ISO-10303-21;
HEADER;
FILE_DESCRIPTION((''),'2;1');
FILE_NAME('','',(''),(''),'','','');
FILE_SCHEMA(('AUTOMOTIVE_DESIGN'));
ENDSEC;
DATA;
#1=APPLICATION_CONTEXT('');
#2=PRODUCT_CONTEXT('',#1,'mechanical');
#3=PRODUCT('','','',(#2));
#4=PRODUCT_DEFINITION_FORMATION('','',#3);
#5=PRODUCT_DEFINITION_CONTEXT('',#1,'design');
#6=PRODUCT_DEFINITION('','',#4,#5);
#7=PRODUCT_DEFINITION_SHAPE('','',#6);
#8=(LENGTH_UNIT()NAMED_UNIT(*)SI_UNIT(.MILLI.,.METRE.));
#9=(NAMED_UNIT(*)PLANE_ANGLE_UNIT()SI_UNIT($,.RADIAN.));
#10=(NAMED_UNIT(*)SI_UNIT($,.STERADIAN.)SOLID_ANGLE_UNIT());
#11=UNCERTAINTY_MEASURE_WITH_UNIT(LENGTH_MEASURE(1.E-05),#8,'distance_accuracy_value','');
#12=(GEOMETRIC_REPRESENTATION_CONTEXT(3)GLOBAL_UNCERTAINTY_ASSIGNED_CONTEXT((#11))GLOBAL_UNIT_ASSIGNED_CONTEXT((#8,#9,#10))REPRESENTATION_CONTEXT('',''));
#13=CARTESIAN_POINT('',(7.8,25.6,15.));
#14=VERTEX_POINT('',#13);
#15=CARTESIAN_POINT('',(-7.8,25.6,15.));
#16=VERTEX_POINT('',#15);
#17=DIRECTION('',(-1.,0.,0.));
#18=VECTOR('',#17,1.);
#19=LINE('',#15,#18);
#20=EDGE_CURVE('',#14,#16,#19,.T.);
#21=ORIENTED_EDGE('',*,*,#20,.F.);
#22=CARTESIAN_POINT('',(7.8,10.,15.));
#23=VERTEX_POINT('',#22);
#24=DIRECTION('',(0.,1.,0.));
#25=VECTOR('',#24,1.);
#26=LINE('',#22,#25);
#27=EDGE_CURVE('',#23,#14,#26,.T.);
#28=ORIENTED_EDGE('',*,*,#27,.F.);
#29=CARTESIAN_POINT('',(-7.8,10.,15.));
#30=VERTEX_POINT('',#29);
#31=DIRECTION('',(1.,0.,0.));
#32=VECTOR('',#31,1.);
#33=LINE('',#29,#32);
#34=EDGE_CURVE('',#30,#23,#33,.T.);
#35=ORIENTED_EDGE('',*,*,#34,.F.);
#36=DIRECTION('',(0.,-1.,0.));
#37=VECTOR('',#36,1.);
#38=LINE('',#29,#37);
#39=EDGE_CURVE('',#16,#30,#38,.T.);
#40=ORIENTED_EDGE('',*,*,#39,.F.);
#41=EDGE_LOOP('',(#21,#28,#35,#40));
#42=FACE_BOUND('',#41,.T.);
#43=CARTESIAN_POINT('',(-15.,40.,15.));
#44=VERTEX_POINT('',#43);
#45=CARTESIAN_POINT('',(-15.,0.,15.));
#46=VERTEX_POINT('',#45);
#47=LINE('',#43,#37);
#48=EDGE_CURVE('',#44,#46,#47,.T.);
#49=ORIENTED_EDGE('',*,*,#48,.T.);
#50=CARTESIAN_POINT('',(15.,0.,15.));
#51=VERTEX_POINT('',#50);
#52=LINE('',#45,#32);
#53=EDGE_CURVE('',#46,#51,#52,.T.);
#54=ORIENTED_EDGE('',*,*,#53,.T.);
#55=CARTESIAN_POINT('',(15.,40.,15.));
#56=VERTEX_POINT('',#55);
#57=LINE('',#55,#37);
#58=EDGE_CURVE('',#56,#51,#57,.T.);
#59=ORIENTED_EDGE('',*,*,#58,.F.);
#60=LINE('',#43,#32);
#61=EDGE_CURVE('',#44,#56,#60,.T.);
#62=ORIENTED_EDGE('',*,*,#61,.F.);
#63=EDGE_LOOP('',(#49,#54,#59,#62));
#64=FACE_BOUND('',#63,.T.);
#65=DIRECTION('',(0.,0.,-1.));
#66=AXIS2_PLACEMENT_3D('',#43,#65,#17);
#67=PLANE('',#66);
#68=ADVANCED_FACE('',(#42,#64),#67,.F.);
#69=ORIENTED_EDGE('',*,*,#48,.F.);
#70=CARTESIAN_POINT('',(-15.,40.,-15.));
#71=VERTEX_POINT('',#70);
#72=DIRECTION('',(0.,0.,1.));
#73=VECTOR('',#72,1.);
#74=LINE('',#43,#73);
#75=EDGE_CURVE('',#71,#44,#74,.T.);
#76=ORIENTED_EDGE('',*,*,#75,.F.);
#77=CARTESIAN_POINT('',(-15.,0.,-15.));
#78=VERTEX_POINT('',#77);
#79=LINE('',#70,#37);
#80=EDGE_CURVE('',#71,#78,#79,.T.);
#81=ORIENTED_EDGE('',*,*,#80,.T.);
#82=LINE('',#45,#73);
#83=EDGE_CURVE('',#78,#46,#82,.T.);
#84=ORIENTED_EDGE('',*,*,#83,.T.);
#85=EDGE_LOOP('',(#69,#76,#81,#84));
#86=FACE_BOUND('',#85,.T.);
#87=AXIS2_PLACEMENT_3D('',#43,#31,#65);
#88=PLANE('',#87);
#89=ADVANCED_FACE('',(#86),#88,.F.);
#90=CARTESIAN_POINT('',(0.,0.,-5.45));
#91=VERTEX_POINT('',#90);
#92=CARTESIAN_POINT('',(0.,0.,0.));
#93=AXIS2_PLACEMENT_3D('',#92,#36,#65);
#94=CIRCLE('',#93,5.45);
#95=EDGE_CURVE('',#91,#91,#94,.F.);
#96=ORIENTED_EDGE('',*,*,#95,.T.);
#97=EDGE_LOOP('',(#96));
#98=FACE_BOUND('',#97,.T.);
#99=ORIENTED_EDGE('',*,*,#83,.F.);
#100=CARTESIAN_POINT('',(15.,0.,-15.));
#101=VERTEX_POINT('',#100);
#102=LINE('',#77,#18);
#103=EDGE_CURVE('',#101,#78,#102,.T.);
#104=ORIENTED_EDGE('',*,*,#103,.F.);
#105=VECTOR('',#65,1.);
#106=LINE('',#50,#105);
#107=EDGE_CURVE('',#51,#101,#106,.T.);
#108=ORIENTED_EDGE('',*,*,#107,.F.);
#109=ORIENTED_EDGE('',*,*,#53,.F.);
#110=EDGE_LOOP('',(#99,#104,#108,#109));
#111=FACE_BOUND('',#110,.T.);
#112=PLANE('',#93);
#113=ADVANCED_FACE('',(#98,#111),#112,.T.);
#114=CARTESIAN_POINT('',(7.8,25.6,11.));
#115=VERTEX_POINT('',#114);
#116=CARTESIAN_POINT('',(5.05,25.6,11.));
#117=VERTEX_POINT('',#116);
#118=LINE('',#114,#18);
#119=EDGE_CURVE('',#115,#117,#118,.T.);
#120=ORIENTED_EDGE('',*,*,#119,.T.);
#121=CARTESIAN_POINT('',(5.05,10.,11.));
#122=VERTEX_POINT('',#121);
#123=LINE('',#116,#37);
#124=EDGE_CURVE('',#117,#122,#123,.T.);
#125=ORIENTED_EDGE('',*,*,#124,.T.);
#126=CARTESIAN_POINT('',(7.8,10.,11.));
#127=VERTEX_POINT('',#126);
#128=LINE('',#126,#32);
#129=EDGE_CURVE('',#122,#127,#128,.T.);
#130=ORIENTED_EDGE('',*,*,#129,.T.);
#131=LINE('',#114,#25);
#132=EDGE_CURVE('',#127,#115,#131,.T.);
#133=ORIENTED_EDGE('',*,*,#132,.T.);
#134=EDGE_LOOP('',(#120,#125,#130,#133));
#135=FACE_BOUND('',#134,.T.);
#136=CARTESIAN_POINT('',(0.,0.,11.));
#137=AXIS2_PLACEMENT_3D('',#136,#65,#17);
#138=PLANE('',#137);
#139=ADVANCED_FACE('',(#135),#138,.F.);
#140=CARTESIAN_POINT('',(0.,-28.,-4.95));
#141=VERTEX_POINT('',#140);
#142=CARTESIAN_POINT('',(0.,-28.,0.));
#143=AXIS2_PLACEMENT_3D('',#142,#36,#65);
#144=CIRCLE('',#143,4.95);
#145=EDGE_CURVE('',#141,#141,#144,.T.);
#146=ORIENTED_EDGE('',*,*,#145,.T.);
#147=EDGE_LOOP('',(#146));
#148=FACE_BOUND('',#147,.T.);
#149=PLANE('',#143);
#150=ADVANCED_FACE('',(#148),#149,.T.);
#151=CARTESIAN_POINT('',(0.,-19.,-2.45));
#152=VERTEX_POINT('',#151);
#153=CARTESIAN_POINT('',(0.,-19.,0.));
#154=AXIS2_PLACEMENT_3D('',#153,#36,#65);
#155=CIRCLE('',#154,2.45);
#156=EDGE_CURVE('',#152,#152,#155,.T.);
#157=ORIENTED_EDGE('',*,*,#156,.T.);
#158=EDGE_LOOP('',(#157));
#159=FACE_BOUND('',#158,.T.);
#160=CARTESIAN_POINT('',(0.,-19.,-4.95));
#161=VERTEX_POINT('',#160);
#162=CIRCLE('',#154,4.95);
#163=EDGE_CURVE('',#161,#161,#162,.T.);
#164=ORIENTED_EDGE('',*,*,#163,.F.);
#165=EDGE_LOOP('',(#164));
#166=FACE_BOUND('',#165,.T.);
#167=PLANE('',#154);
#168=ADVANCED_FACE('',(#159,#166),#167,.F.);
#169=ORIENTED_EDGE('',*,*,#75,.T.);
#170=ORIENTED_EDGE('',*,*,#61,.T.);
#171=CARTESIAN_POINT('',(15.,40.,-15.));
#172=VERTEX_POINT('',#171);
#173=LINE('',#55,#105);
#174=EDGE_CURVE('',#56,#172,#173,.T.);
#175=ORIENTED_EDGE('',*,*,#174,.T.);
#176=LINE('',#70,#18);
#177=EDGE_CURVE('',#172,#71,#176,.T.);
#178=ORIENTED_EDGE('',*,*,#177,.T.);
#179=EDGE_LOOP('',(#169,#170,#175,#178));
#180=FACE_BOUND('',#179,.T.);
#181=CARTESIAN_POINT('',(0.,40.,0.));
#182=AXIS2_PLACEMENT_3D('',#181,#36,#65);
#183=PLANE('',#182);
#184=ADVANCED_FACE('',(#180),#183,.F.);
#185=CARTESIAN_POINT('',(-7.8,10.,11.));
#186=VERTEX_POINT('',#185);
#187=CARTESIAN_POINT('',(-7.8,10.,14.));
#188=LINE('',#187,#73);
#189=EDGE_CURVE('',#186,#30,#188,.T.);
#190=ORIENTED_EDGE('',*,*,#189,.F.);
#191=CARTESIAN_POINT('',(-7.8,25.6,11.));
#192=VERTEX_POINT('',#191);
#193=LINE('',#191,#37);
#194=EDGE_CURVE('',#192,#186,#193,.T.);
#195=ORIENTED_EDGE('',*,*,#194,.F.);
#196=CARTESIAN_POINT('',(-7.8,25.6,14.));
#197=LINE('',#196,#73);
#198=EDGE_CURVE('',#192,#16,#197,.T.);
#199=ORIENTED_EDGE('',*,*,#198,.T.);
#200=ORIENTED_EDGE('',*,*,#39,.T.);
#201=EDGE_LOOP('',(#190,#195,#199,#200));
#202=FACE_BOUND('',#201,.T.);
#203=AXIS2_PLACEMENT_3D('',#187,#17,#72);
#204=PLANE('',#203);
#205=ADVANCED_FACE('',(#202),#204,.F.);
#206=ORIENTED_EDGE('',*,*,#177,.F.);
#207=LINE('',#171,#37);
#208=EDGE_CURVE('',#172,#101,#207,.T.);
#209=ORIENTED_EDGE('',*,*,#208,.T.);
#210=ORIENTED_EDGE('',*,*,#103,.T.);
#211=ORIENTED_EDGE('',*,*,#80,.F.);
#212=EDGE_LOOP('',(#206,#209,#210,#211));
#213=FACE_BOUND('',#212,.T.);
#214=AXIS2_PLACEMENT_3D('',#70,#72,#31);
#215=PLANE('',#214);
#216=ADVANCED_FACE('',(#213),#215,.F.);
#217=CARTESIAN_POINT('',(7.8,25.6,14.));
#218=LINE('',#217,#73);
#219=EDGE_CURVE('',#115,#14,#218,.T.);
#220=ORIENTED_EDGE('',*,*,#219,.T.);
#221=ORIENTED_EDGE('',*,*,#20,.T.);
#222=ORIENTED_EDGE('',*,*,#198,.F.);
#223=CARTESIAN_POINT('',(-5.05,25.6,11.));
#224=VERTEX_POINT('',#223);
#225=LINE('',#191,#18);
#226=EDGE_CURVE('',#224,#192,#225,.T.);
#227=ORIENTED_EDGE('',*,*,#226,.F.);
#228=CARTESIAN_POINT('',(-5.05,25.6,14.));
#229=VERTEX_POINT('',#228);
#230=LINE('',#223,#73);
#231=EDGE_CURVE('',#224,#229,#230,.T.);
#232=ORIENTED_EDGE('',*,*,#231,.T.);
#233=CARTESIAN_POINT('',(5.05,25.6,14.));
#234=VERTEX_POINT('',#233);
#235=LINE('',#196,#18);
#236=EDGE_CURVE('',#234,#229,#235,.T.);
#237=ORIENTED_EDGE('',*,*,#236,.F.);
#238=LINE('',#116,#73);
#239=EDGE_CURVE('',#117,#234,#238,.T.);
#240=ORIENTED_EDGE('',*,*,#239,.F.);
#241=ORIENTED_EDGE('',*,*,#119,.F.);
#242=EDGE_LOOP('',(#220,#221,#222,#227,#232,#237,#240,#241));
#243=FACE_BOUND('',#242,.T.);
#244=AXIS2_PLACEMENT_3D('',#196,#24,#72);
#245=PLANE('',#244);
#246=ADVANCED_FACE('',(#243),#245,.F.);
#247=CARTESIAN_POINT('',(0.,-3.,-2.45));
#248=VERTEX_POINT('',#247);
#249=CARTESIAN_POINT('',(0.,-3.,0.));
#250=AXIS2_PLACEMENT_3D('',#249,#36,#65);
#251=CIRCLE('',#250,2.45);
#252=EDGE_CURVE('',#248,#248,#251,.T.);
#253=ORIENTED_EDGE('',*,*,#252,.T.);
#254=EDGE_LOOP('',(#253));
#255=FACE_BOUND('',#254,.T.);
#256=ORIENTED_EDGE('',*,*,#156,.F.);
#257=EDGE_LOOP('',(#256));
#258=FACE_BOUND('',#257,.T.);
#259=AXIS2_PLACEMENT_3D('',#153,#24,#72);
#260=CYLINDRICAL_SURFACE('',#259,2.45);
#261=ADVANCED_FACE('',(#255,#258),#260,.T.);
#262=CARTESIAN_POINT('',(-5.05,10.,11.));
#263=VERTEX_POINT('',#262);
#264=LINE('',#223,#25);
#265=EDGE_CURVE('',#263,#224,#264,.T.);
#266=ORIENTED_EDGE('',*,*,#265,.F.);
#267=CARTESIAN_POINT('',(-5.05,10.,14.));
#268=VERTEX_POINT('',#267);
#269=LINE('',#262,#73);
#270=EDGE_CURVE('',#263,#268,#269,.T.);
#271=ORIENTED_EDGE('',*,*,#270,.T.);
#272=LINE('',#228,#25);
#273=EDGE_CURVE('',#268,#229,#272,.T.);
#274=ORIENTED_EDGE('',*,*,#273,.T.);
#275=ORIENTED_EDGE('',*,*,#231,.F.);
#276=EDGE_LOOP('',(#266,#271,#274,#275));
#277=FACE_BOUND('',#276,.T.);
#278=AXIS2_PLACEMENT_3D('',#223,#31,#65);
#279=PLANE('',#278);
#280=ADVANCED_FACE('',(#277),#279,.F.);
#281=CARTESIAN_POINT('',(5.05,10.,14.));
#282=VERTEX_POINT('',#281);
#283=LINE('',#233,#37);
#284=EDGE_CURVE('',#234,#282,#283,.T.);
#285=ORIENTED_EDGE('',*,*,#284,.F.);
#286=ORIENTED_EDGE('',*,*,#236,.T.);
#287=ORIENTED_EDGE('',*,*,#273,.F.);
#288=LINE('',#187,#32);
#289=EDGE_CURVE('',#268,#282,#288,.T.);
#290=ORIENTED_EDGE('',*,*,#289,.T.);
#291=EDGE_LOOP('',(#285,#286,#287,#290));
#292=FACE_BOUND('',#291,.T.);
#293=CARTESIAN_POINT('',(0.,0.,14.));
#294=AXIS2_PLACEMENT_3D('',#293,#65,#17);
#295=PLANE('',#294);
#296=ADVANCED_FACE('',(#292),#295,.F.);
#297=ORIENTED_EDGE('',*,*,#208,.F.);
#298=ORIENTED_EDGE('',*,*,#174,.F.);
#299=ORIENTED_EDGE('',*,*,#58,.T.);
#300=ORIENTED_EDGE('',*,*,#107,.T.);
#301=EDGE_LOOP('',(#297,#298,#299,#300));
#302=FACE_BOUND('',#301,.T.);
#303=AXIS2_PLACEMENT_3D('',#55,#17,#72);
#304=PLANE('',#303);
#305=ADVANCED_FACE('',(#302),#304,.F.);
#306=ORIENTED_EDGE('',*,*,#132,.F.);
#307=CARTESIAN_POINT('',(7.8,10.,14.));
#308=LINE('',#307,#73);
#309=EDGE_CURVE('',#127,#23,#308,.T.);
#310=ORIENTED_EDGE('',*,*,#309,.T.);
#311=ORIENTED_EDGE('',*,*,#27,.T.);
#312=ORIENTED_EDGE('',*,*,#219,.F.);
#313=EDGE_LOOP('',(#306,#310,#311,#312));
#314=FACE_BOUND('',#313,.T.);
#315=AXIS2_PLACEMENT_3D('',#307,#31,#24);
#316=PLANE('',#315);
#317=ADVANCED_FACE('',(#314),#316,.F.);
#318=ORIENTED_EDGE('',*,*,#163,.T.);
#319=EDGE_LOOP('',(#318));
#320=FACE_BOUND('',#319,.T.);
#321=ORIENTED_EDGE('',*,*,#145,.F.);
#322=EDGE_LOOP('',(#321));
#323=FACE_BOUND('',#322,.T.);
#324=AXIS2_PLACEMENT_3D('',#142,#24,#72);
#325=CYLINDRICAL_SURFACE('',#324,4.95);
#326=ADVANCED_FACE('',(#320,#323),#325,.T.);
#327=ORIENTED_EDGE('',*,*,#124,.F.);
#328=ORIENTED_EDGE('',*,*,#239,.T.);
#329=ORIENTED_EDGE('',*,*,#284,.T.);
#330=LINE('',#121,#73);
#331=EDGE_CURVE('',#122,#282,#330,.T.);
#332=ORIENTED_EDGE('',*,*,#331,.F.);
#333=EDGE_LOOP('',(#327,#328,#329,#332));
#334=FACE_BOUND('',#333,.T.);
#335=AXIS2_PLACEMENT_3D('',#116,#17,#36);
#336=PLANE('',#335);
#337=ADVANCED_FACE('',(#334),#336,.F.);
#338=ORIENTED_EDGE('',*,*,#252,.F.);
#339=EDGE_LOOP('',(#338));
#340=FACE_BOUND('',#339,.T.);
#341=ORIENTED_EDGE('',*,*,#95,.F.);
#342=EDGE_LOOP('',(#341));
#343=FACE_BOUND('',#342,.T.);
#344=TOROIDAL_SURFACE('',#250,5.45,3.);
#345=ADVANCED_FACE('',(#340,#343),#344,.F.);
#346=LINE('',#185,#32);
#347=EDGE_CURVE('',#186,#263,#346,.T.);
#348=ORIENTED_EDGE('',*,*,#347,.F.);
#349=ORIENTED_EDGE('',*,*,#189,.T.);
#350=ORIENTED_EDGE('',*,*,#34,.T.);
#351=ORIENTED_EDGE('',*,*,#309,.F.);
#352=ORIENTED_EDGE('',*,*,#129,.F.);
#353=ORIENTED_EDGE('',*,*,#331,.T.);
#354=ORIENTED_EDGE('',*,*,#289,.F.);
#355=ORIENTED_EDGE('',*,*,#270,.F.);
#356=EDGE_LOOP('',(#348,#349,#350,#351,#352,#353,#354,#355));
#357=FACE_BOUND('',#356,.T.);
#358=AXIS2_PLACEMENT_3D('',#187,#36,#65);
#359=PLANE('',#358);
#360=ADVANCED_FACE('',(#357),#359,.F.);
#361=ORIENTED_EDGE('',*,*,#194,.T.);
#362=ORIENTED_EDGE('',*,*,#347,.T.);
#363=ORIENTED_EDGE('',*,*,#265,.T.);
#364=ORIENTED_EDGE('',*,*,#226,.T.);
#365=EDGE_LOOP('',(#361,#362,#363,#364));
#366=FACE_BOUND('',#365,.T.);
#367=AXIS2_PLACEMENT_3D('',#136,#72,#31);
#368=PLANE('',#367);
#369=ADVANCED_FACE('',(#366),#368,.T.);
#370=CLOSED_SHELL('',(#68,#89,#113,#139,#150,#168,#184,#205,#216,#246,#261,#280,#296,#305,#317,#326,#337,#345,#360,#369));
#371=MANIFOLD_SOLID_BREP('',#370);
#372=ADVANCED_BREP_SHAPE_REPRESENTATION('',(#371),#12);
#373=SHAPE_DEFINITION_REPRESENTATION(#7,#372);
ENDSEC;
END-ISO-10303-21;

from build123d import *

# Parameters (mm, degrees)
SKETCH_1_W          = 30
SKETCH_1_H          = 30
EXTRUDE_1_DEPTH     = 40
SKETCH_2_R          = 2.45
EXTRUDE_2_DEPTH     = 19
SKETCH_3_R          = 4.95
EXTRUDE_3_DEPTH     = 9
SKETCH_4_W          = 15.6
SKETCH_4_H          = 15.6
CUT_EXTRUDE_1_DEPTH = 1
SKETCH_5_W          = 2.75
SKETCH_5_H          = 15.6
CUT_EXTRUDE_2_DEPTH = 3
FILLET_1_R          = 3


with BuildPart() as part:
    # 草图1 → 凸台-拉伸1 (new body)
    with BuildSketch(Plane(origin=(0, 0, 0), x_dir=(1, 0, 0), z_dir=(0, 1, 0))):
        Rectangle(SKETCH_1_W, SKETCH_1_H)
    extrude(amount=EXTRUDE_1_DEPTH)

    # 草图2 → 凸台-拉伸2 (add)
    with BuildSketch(Plane.XZ):
        with Locations(Location((0, 0, 0), (0, 0, 270))):
            Circle(SKETCH_2_R)
    extrude(amount=EXTRUDE_2_DEPTH)

    # 草图3 → 凸台-拉伸3 (add)
    with BuildSketch(Plane.XZ.offset(19)):
        with Locations(Location((0, 0, 0), (0, 0, 270))):
            Circle(SKETCH_3_R)
    extrude(amount=EXTRUDE_3_DEPTH)

    # 草图4 → 切除-拉伸1 (cut)
    with BuildSketch(Plane.XY.offset(15)):
        with Locations((0, 17.8)):
            Rectangle(SKETCH_4_W, SKETCH_4_H)
    extrude(amount=-CUT_EXTRUDE_1_DEPTH, mode=Mode.SUBTRACT)

    # 草图5 → 切除-拉伸2 (cut)
    with BuildSketch(Plane.XY.offset(14)):
        with Locations((-6.425, 17.8)):
            Rectangle(SKETCH_5_W, SKETCH_5_H)
        with Locations((6.425, 17.8)):
            Rectangle(SKETCH_5_W, SKETCH_5_H)
    extrude(amount=-CUT_EXTRUDE_2_DEPTH, mode=Mode.SUBTRACT)

    # 圆角1
    fillet_1_edges = [part.edges().sort_by_distance(p)[0] for p in [
        (0, 0, 2.45),
    ]]
    fillet(fillet_1_edges, radius=FILLET_1_R)


solid = part.part
